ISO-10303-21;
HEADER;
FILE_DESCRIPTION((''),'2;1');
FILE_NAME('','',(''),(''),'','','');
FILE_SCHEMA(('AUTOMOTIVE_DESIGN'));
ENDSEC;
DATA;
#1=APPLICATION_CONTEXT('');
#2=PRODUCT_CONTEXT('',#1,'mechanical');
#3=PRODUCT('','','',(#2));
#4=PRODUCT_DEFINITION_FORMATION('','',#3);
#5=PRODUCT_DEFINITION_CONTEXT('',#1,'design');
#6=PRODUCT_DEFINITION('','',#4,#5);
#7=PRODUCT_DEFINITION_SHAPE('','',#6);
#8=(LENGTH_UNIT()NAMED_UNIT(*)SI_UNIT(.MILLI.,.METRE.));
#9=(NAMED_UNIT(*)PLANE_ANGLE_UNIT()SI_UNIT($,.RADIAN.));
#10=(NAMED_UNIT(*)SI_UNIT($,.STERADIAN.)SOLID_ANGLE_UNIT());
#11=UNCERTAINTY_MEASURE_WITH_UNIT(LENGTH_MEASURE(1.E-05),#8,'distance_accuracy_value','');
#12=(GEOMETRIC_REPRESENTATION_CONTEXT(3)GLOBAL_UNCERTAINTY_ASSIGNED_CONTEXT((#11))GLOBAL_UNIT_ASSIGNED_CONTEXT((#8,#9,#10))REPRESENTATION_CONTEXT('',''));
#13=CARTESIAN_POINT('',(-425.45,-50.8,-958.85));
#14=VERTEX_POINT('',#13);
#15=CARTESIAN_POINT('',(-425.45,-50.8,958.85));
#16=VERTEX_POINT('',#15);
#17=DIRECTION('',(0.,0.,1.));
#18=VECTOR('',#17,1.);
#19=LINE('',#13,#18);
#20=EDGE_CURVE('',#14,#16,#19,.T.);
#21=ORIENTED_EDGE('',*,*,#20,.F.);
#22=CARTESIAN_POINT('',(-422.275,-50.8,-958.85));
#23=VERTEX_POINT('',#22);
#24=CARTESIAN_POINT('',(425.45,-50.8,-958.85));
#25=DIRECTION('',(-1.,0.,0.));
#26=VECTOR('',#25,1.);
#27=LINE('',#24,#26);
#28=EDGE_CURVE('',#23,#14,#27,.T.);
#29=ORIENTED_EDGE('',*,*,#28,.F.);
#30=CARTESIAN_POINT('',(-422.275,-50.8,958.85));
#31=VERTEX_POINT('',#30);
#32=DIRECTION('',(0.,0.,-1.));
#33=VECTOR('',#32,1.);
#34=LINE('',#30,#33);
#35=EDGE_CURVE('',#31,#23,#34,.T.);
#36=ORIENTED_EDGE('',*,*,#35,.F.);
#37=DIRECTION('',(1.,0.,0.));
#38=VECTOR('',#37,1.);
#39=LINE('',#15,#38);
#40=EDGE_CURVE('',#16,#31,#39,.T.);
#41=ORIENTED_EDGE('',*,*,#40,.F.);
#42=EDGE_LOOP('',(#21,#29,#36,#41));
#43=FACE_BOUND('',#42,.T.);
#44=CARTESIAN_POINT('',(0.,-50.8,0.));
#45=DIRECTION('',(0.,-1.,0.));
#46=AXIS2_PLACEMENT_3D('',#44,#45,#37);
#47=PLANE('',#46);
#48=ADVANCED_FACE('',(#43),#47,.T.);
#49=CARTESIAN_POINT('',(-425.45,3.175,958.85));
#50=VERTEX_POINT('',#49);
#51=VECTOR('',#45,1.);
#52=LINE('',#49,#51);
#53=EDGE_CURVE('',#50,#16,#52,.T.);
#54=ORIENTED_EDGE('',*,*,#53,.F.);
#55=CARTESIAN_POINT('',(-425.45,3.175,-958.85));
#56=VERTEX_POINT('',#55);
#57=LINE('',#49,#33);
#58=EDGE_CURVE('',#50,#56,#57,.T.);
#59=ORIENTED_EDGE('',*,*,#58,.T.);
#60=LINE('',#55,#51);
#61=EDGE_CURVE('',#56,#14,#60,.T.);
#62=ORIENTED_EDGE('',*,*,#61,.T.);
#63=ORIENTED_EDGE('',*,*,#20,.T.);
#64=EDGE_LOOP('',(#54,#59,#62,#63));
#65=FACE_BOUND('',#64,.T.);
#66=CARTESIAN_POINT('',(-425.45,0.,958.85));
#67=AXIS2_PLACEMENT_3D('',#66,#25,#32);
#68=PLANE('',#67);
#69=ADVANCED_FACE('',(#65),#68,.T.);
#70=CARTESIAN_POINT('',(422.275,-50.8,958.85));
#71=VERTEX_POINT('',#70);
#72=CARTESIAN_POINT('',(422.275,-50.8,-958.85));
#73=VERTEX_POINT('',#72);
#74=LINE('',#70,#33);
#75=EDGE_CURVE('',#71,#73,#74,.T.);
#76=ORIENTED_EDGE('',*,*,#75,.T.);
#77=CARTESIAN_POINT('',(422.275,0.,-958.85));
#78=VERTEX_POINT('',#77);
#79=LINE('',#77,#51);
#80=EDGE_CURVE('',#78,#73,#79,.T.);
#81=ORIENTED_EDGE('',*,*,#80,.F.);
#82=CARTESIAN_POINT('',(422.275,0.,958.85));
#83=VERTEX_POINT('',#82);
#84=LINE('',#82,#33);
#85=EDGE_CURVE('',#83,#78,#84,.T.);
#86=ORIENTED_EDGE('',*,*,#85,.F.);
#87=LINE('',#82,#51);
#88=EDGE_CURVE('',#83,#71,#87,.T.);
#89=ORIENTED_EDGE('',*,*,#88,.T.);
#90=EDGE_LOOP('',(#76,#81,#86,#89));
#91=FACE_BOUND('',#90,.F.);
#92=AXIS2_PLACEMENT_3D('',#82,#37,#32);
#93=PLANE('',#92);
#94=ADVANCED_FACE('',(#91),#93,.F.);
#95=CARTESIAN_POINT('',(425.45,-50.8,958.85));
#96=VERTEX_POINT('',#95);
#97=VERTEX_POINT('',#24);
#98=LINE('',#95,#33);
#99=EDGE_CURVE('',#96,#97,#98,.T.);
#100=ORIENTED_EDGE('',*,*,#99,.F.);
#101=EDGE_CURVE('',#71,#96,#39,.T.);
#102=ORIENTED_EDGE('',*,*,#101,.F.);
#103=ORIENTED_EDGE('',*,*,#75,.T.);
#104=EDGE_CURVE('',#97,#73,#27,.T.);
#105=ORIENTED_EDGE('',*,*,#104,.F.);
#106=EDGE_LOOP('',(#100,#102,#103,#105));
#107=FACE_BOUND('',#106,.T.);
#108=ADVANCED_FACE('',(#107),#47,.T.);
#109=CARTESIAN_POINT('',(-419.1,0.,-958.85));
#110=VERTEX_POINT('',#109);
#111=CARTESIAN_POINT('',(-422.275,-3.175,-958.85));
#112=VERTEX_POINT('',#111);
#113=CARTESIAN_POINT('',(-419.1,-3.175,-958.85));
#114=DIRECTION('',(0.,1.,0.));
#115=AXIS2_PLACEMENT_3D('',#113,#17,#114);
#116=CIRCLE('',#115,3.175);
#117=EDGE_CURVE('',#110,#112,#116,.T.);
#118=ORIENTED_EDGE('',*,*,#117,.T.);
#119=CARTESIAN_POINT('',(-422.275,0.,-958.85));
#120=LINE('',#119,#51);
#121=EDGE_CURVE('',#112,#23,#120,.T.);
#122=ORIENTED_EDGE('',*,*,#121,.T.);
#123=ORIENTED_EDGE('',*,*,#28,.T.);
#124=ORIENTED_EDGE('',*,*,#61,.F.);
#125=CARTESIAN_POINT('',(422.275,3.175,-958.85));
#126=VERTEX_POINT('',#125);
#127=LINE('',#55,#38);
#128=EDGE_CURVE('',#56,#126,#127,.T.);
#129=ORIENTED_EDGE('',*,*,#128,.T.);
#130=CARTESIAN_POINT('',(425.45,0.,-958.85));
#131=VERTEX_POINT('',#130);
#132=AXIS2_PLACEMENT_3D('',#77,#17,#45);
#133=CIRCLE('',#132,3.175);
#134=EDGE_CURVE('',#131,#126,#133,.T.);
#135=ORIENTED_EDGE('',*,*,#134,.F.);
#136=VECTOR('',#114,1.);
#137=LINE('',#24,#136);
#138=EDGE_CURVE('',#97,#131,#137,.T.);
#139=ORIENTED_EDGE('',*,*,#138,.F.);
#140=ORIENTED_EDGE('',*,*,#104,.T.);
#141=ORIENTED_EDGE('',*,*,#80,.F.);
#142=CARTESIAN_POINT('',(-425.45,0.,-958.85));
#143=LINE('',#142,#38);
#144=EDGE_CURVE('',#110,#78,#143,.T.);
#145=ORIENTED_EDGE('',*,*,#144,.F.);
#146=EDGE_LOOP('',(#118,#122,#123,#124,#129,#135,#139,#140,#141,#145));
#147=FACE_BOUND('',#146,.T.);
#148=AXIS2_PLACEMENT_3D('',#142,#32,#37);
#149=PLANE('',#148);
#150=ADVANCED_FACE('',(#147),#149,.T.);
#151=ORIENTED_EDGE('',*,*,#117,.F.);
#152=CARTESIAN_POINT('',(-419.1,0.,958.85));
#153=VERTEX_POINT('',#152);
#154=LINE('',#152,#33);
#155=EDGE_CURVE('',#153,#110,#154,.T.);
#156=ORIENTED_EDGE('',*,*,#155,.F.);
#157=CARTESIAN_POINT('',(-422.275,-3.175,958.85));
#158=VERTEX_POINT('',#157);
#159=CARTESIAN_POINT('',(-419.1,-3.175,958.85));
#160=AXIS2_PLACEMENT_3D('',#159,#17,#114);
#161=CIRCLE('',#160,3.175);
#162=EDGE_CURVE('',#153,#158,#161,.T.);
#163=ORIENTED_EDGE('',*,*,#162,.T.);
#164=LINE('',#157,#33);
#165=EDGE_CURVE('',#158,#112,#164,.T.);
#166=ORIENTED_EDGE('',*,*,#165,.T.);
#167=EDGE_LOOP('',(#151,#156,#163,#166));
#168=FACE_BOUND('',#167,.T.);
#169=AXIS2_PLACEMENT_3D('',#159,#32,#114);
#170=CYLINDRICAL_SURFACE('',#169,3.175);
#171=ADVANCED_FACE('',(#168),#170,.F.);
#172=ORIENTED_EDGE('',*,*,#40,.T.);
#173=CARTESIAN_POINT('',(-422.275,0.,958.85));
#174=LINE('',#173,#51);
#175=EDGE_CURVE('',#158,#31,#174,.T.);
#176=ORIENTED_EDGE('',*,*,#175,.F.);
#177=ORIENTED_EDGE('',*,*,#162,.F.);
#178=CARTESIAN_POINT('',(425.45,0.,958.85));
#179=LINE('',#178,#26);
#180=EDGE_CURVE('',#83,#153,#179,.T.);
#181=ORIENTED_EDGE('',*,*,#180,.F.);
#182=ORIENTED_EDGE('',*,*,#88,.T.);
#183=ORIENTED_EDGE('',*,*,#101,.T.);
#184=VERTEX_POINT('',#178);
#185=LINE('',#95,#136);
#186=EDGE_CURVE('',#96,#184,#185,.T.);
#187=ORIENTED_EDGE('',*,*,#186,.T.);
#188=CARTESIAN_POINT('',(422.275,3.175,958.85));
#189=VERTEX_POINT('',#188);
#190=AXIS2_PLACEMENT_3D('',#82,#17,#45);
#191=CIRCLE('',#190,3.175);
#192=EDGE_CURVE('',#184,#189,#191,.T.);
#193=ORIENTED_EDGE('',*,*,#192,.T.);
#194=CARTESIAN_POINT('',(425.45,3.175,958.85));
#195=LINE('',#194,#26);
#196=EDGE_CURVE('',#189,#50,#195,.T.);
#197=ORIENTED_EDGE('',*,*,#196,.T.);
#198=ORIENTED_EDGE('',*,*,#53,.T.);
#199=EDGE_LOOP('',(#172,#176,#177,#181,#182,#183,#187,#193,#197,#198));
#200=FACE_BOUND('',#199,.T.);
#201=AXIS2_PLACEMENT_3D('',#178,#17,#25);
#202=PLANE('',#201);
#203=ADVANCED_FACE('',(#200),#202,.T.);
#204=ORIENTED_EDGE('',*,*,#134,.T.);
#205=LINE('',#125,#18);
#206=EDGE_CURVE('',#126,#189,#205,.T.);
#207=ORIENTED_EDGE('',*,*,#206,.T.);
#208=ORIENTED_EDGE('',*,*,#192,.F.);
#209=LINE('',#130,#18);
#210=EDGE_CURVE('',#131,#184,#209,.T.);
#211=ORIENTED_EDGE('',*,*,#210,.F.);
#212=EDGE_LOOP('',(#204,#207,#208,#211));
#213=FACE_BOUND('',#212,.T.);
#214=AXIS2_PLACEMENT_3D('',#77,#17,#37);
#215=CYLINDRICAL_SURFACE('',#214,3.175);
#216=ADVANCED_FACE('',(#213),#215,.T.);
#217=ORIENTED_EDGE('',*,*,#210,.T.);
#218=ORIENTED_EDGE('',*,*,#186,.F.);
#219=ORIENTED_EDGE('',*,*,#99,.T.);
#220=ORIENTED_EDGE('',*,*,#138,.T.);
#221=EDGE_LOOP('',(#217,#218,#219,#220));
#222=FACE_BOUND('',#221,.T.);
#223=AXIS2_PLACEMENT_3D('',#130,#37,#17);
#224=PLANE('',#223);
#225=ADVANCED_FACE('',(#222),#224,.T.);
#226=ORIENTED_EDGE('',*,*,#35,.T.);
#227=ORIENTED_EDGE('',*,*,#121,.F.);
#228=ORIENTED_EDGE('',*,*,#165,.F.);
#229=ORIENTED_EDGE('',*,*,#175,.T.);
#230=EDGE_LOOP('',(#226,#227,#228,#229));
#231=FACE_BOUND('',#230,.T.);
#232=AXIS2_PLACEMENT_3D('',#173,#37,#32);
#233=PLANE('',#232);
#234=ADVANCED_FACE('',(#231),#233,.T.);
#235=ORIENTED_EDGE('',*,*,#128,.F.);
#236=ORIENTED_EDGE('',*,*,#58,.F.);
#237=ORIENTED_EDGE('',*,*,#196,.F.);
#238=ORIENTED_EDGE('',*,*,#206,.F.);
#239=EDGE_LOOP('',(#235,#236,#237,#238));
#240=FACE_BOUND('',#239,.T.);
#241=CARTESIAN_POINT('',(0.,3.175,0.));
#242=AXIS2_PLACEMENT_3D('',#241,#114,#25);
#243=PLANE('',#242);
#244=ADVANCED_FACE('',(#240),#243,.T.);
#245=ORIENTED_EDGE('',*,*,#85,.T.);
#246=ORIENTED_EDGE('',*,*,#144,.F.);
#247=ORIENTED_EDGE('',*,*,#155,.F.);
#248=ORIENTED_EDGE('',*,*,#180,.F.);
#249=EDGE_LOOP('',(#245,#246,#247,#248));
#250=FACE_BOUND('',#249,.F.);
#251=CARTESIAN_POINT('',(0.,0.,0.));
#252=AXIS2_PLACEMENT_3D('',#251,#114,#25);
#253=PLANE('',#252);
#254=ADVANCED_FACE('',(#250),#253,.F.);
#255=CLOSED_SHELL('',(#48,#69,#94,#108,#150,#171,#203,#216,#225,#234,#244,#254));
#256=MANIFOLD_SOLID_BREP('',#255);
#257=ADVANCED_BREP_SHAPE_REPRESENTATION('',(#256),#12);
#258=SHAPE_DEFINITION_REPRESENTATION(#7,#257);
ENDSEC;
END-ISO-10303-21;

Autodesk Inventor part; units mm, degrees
ref_plane "YZ Plane" through (0, 0, 0) normal (1, 0, 0) x (0, 1, 0)
ref_plane "XZ Plane" through (0, 0, 0) normal (0, 1, 0) x (-1, 0, 0)
ref_plane "XY Plane" through (0, 0, 0) normal (0, 0, 1) x (1, 0, 0)
sketch "Sketch1" plane through (0, 0, 0) normal (0, 1, 0) x (-1, 0, 0)
  line L0 (-425.45, 958.85) -> (425.45, 958.85)
  line L1 (425.45, 958.85) -> (425.45, -958.85)
  line L2 (425.45, -958.85) -> (-425.45, -958.85)
  line L3 (-425.45, -958.85) -> (-425.45, 958.85)
  line L4 (-425.45, 958.85) -> (425.45, -958.85) construction
  line L5 (425.45, 958.85) -> (-425.45, -958.85) construction
  point P0 (0, 0)
  dimension "d0" = 850.9
  dimension "d1" = 1917.7
extrude "Extrusion1" add sketch "Sketch1" along normal blind 3.175
sketch "Sketch2" plane through (0, 0, 0) normal (0, -1, 0) x (1, 0, 0)
  line L0 (425.45, -958.85) -> (-425.45, -958.85) projected
  line L1 (425.45, 958.85) -> (425.45, -958.85) projected
  line L2 (-425.45, 958.85) -> (425.45, 958.85) projected
  line L3 (-425.45, -958.85) -> (-425.45, 958.85) projected
  line L4 (-425.45, 958.85) -> (425.45, 958.85) projected
  line L5 (425.45, -958.85) -> (-425.45, -958.85) projected
  line L6 (425.45, 958.85) -> (422.275, 958.85)
  line L7 (422.275, 958.85) -> (422.275, -958.85)
  line L8 (422.275, -958.85) -> (425.45, -958.85)
  line L9 (425.45, -958.85) -> (425.45, 958.85)
  line L10 (-425.45, -958.85) -> (-425.45, 958.85) projected
  line L11 (-425.45, 958.85) -> (-422.275, 958.85)
  line L12 (-422.275, 958.85) -> (-422.275, -958.85)
  line L13 (-422.275, -958.85) -> (-425.45, -958.85)
  line L14 (-425.45, -958.85) -> (-425.45, 958.85)
  point P0 (0, 0)
  point P1 (-422.275, 958.85)
  point P2 (422.275, -958.85)
  dimension "d4" = 3.175
  dimension "d5" = 3.175
extrude "Extrusion2" add sketch "Sketch2" along normal blind 50.8 contours L0 L7 L2 L1 | L0 L3 L2 L12
fillet "Fillet1" radius 3.175 2 edges at (-422.275, 0, 0) (425.45, 3.175, 0)
properties part number "IronFrame" material "Iron, Cast"
